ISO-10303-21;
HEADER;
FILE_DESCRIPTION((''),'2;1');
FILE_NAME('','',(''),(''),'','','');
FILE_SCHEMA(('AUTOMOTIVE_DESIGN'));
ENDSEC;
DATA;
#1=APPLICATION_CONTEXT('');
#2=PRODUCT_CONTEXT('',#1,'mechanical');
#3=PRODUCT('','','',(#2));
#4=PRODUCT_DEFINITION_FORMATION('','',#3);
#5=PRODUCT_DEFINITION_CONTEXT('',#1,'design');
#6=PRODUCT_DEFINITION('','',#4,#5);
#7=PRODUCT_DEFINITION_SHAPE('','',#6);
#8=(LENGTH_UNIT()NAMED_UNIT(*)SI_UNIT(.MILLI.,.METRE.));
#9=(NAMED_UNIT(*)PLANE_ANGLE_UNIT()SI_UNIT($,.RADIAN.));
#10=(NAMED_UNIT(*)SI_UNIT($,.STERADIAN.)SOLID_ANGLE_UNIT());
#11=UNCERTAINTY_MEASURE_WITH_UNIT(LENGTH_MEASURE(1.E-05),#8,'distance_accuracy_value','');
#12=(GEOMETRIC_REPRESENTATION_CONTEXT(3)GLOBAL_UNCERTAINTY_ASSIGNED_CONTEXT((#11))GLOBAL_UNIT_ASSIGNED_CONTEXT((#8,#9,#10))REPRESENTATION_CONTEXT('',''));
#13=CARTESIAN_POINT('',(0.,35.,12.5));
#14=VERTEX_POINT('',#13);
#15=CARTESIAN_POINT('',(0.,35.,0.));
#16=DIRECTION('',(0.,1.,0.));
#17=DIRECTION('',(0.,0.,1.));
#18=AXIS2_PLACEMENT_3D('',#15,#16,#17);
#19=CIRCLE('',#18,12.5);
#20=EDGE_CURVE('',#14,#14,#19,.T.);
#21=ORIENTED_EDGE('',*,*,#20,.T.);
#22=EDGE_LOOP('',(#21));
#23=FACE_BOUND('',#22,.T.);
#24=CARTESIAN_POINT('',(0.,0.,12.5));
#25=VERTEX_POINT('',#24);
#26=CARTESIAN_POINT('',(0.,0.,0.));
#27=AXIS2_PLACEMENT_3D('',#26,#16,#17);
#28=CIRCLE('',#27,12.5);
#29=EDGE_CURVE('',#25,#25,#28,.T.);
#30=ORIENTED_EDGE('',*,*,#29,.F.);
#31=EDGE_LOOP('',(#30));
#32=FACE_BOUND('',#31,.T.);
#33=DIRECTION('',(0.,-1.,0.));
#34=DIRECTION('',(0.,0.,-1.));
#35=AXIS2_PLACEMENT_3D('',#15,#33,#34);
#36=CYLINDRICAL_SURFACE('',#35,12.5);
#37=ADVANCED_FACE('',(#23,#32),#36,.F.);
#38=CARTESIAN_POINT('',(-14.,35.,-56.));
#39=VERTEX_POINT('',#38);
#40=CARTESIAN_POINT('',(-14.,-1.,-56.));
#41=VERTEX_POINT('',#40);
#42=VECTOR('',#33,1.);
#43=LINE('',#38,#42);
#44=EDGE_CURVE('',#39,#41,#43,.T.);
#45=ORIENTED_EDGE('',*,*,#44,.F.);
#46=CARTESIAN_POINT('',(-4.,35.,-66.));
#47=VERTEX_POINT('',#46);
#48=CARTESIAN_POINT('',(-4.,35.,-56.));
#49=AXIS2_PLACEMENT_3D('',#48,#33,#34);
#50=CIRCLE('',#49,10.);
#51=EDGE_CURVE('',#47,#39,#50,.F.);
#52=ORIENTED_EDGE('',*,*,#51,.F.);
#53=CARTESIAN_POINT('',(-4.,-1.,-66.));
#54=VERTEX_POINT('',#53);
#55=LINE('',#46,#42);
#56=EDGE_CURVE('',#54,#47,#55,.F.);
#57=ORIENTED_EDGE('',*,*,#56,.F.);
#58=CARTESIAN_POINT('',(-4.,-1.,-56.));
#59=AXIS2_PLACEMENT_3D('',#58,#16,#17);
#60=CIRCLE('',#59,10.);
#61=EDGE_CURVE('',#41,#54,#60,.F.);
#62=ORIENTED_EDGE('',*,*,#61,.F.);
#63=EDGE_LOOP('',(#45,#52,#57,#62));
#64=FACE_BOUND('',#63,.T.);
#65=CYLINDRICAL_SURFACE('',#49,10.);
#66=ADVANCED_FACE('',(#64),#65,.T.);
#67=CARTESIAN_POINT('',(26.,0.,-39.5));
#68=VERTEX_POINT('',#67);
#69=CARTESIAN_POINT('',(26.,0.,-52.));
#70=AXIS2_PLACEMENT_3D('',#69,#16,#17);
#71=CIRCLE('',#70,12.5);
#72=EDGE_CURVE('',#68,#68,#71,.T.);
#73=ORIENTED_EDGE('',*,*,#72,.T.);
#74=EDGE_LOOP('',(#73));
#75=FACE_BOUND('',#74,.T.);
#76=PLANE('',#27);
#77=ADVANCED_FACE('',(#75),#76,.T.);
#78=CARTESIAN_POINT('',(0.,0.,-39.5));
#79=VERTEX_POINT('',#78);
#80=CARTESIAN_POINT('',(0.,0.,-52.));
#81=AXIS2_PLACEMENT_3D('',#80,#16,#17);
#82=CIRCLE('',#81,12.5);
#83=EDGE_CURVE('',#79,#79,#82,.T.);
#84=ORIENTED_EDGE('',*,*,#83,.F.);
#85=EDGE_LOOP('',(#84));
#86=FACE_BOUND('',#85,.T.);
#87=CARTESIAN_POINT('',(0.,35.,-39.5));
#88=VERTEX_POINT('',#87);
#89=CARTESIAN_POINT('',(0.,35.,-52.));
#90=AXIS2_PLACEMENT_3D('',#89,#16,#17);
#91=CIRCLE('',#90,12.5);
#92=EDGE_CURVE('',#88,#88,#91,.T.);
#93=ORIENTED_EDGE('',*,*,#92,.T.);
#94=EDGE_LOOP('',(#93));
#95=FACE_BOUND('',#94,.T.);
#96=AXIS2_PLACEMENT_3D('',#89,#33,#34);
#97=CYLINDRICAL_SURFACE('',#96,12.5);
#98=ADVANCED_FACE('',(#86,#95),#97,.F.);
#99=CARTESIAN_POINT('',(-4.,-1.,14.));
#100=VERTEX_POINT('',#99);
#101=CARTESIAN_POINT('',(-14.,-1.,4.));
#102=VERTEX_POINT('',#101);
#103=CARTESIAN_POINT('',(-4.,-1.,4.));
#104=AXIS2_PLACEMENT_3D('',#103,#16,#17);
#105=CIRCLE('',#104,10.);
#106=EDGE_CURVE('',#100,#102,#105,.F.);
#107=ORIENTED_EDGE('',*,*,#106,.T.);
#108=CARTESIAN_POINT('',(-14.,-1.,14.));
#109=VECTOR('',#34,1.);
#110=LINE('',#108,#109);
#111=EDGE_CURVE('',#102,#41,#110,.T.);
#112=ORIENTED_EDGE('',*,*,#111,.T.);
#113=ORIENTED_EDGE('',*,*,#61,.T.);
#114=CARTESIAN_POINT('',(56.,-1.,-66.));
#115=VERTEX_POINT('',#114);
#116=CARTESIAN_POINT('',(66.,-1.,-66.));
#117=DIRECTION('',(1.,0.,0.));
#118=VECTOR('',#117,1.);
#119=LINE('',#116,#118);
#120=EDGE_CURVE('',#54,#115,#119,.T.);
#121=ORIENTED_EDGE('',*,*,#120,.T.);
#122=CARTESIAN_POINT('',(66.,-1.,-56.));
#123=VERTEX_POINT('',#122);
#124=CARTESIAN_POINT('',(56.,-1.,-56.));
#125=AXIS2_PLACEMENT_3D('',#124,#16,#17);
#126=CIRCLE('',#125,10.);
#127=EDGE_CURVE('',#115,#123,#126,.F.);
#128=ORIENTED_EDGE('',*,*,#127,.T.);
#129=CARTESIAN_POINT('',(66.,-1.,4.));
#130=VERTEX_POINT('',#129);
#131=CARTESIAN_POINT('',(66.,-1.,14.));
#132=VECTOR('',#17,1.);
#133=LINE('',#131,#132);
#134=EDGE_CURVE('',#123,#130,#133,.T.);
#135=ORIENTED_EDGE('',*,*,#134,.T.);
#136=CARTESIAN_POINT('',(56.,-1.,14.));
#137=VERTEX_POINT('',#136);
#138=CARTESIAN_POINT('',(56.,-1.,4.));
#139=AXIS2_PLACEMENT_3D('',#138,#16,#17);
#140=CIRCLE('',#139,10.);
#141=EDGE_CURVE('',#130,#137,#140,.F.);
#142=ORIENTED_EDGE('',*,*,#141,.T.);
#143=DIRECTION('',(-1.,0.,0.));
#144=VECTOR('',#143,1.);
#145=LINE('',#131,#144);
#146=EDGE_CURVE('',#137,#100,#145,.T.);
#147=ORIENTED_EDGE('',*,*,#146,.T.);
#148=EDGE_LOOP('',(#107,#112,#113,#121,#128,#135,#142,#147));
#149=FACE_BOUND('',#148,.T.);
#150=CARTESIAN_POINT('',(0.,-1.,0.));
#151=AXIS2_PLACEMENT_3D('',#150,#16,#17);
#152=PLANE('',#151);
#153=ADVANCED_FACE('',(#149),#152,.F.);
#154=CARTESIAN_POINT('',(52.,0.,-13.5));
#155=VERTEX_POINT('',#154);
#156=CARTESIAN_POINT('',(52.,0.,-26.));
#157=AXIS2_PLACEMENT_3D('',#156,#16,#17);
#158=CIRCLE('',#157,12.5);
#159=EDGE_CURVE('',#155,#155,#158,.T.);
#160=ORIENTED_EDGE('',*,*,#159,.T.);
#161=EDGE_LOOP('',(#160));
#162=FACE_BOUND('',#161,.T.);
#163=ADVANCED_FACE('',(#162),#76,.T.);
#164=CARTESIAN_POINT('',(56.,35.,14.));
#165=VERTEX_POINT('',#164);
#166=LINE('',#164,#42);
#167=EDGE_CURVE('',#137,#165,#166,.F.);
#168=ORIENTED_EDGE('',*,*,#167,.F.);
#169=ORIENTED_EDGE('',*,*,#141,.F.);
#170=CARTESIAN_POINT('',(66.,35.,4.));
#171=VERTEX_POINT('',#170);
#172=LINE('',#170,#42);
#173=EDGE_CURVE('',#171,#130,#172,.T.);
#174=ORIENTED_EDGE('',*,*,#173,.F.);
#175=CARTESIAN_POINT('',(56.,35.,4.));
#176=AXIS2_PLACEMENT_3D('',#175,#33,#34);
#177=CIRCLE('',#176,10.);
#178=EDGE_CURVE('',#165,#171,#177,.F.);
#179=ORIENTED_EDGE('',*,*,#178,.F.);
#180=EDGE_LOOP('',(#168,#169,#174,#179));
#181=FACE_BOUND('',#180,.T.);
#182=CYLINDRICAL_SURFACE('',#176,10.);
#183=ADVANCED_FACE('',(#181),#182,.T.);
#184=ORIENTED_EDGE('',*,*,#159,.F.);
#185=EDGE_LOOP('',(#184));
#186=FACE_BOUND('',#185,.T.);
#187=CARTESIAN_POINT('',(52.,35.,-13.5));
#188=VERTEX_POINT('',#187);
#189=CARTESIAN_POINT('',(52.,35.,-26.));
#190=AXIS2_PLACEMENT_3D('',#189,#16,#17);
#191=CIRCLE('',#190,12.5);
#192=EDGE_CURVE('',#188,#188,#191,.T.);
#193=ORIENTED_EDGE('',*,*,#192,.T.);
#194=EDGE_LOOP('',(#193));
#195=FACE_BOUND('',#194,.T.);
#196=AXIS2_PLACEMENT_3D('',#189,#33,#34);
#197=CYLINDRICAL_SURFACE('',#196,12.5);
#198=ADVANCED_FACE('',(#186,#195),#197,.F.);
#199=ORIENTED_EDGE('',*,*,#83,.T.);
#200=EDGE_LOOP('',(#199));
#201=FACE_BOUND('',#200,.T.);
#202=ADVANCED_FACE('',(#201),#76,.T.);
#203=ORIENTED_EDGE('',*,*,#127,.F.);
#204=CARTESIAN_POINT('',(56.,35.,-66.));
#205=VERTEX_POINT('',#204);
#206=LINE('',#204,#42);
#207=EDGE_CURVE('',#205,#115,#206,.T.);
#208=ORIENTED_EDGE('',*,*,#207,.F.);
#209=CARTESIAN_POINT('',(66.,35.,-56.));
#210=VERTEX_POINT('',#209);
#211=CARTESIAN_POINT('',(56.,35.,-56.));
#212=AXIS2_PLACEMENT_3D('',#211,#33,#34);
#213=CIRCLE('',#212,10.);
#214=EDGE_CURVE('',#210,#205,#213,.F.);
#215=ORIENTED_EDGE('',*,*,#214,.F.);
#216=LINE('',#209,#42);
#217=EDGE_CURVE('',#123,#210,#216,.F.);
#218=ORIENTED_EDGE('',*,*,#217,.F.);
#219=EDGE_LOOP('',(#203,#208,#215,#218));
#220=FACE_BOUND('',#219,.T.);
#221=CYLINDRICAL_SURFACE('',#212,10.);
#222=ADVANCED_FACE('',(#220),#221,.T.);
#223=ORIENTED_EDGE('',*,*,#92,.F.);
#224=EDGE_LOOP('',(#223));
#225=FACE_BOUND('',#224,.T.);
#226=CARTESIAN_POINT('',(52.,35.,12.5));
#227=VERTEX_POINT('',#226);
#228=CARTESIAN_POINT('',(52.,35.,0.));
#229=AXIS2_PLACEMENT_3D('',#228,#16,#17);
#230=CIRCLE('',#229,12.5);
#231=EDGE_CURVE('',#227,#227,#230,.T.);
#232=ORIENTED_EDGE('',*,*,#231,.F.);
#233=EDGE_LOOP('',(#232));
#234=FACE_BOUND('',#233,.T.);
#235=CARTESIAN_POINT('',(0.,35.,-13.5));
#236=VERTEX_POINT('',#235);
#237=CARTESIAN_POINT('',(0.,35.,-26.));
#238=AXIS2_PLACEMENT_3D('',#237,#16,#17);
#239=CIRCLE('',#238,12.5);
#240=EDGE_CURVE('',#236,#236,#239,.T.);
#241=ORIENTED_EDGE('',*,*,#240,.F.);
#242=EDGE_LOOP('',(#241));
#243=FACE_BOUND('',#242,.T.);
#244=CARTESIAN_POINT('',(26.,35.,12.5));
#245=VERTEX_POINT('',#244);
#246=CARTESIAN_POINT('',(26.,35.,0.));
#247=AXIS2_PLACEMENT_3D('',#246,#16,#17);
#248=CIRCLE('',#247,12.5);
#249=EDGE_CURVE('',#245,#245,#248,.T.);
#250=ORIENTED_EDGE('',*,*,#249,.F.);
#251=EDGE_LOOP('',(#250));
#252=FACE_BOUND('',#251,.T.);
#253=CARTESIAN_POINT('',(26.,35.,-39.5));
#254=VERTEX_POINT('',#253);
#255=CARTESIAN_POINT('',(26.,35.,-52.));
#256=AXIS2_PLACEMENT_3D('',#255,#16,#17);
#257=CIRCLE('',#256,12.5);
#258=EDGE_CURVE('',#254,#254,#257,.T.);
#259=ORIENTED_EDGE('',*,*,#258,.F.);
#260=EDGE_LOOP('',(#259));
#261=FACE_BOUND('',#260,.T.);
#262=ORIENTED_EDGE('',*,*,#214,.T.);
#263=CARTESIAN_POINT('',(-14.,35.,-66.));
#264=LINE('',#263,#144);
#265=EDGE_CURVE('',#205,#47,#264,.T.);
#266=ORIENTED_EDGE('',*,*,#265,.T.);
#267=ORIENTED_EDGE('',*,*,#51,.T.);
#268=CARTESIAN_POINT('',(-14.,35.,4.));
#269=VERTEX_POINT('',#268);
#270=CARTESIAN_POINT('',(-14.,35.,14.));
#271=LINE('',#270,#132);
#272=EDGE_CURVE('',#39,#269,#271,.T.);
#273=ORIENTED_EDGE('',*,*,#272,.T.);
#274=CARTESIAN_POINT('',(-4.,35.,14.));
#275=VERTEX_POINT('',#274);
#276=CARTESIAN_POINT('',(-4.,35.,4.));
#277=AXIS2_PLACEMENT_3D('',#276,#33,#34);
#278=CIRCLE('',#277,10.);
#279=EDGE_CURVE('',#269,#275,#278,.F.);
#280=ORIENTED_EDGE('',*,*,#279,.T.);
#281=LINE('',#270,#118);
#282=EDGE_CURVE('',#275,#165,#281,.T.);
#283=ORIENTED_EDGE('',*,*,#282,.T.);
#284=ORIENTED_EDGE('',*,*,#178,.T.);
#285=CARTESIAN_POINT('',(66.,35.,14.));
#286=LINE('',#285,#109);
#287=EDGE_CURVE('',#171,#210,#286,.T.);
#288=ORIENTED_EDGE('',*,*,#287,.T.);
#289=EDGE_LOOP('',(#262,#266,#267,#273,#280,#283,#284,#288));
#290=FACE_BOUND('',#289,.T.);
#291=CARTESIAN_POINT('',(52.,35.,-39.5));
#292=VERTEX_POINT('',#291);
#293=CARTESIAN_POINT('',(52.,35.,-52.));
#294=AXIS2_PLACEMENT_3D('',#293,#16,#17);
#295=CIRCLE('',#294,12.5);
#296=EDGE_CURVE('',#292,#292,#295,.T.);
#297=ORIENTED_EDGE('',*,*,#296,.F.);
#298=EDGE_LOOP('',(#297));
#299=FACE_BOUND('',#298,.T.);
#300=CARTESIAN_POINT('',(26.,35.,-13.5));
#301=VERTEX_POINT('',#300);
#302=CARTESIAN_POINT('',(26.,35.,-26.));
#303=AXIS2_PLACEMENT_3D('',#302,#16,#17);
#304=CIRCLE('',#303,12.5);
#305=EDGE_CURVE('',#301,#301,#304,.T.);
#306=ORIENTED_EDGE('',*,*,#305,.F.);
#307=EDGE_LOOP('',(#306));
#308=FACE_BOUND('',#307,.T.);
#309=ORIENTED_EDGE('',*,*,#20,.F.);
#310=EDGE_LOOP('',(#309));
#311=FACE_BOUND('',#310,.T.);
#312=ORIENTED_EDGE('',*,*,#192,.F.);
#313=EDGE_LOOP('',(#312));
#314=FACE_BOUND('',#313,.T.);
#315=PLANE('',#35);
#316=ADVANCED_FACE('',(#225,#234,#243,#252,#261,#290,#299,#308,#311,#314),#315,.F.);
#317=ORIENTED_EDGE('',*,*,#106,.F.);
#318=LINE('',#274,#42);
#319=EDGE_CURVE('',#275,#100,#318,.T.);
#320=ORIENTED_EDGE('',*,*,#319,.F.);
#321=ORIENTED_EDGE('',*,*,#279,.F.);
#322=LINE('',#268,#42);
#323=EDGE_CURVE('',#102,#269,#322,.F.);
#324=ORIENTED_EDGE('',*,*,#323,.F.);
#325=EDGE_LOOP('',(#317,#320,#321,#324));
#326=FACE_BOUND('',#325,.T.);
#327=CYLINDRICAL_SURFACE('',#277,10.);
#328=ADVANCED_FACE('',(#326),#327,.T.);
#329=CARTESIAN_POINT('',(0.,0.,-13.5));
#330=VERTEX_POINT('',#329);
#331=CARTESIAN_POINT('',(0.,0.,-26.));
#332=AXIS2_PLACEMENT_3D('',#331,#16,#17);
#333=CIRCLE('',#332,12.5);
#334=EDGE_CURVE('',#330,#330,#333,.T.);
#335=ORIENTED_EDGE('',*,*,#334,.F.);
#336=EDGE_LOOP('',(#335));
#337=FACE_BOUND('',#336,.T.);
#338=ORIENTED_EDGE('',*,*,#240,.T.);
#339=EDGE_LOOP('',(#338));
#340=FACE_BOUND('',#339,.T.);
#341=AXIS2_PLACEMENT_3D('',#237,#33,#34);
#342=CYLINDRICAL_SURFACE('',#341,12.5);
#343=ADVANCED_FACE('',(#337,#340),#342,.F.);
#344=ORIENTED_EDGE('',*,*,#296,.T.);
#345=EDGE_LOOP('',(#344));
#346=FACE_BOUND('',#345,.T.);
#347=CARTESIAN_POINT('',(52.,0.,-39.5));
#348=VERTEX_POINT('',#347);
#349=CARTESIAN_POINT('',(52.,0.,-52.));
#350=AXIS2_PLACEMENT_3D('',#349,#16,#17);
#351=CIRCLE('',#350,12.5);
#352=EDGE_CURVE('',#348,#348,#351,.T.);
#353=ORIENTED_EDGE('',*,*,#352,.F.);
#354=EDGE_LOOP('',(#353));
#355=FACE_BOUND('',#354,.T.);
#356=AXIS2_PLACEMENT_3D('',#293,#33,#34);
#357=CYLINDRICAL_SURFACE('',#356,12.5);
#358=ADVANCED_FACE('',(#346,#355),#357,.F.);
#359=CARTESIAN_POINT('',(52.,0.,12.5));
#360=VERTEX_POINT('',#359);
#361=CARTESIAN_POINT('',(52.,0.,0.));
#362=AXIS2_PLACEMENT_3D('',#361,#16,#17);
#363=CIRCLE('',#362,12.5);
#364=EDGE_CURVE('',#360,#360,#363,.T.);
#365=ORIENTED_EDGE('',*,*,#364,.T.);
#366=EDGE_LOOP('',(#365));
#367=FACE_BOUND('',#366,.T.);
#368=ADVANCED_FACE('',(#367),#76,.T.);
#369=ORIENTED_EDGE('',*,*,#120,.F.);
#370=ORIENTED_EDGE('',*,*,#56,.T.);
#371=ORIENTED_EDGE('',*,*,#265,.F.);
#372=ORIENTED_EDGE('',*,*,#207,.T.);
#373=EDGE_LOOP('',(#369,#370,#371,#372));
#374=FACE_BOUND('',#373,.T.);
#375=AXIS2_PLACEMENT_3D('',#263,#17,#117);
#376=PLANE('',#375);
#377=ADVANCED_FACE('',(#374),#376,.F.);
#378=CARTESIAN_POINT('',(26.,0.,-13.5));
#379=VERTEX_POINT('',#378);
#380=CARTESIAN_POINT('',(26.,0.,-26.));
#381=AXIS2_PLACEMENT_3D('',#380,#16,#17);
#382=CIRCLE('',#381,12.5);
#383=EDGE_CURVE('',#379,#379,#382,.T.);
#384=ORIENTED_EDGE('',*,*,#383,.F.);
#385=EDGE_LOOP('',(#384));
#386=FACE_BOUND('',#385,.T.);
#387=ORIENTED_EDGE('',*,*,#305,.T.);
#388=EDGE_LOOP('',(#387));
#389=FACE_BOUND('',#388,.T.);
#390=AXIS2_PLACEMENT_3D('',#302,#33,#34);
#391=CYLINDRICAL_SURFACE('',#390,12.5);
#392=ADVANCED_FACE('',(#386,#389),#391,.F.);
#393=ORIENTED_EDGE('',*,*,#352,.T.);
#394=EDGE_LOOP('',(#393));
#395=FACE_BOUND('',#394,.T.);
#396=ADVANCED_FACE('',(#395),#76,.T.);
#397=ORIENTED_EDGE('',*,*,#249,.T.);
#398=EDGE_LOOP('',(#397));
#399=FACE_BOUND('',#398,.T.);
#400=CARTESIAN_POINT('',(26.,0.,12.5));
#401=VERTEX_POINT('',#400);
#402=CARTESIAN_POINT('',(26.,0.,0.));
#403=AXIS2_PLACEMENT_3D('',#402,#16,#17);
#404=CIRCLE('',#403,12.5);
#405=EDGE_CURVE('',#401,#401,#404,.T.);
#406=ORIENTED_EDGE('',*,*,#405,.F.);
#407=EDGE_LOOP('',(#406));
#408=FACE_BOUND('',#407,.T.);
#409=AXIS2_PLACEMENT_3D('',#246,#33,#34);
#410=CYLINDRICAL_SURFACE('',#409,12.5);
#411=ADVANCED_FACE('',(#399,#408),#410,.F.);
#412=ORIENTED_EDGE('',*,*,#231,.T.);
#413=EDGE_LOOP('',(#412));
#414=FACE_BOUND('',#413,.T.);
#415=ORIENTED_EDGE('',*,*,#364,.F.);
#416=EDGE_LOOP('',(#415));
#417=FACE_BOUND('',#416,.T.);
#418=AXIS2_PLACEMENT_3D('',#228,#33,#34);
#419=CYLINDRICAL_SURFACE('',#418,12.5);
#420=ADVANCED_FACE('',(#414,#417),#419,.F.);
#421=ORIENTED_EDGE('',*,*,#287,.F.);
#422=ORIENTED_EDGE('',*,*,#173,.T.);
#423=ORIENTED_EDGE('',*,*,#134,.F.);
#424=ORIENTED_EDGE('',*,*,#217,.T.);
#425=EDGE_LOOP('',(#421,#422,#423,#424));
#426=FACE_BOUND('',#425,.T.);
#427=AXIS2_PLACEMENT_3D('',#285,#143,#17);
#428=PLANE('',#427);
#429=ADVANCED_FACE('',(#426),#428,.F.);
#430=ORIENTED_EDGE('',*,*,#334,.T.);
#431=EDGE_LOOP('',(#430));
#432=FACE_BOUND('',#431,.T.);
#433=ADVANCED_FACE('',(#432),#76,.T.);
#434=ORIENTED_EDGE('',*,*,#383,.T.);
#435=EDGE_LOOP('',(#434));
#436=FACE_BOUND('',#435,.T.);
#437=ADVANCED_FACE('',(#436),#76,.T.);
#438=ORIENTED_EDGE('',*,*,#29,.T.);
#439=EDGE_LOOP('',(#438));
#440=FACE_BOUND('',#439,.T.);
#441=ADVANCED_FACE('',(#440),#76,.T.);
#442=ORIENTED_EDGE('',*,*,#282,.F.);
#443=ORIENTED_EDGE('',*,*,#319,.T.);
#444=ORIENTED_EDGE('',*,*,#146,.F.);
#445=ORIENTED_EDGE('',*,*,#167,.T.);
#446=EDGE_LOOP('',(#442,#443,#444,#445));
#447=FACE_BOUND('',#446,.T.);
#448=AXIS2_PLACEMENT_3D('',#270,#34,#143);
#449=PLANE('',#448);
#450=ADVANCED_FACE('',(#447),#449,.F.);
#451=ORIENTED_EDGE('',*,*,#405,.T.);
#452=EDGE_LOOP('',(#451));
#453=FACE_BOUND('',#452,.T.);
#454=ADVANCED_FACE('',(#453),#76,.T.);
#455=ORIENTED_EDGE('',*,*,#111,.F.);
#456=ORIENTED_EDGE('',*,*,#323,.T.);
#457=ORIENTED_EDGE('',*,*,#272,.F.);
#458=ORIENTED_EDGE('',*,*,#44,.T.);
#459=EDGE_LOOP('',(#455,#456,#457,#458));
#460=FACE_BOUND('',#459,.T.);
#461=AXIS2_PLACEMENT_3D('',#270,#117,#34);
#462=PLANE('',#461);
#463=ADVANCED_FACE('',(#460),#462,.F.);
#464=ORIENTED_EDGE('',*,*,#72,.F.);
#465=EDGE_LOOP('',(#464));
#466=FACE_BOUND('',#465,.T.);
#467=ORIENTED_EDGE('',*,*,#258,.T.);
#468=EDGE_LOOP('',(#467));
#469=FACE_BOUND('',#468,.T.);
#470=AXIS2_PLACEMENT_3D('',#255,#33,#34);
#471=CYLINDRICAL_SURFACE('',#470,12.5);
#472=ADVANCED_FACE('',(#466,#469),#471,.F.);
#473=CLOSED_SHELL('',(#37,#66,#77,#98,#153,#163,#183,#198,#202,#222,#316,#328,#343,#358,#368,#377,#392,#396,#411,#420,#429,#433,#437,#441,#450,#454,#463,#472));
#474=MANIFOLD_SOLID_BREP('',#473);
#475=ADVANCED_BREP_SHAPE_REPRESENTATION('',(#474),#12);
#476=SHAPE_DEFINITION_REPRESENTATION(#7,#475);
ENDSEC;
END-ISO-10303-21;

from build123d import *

# Parameters (mm, degrees)
SKETCH2_W           = 80
SKETCH2_H           = 80
SKETCH2_R           = 12.5
BOSS_EXTRUDE2_DEPTH = 35
SKETCH3_W           = 80
SKETCH3_H           = 80
BOSS_EXTRUDE3_DEPTH = 1
FILLET1_R           = 10


with BuildPart() as part:
    # Sketch2 → Boss-Extrude2 (new body)
    with BuildSketch(Plane(origin=(0, 0, 0), x_dir=(1, 0, 0), z_dir=(0, 1, 0))):
        with Locations((26, 26)):
            Rectangle(SKETCH2_W, SKETCH2_H)
        with Locations(Location((0, 0, 0), (0, 0, 270))):
            Circle(SKETCH2_R, mode=Mode.SUBTRACT)
        with Locations(Location((26, 0, 0), (0, 0, 270))):
            Circle(SKETCH2_R, mode=Mode.SUBTRACT)
        with Locations(Location((52, 0, 0), (0, 0, 270))):
            Circle(SKETCH2_R, mode=Mode.SUBTRACT)
        with Locations(Location((26, 26, 0), (0, 0, 270))):
            Circle(SKETCH2_R, mode=Mode.SUBTRACT)
        with Locations(Location((52, 26, 0), (0, 0, 270))):
            Circle(SKETCH2_R, mode=Mode.SUBTRACT)
        with Locations(Location((26, 52, 0), (0, 0, 270))):
            Circle(SKETCH2_R, mode=Mode.SUBTRACT)
        with Locations(Location((52, 52, 0), (0, 0, 270))):
            Circle(SKETCH2_R, mode=Mode.SUBTRACT)
        with Locations(Location((0, 26, 0), (0, 0, 270))):
            Circle(SKETCH2_R, mode=Mode.SUBTRACT)
        with Locations(Location((0, 52, 0), (0, 0, 270))):
            Circle(SKETCH2_R, mode=Mode.SUBTRACT)
    extrude(amount=BOSS_EXTRUDE2_DEPTH)

    # Sketch3 → Boss-Extrude3 (add)
    with BuildSketch(Plane.XZ):
        with Locations((26, -26)):
            Rectangle(SKETCH3_W, SKETCH3_H)
    extrude(amount=BOSS_EXTRUDE3_DEPTH)

    # Fillet1
    fillet1_edges = [part.edges().sort_by_distance(p)[0] for p in [
        (66, 17, 14),
        (-14, 17, 14),
        (-14, 17, -66),
        (66, 17, -66),
    ]]
    fillet(fillet1_edges, radius=FILLET1_R)


solid = part.part
